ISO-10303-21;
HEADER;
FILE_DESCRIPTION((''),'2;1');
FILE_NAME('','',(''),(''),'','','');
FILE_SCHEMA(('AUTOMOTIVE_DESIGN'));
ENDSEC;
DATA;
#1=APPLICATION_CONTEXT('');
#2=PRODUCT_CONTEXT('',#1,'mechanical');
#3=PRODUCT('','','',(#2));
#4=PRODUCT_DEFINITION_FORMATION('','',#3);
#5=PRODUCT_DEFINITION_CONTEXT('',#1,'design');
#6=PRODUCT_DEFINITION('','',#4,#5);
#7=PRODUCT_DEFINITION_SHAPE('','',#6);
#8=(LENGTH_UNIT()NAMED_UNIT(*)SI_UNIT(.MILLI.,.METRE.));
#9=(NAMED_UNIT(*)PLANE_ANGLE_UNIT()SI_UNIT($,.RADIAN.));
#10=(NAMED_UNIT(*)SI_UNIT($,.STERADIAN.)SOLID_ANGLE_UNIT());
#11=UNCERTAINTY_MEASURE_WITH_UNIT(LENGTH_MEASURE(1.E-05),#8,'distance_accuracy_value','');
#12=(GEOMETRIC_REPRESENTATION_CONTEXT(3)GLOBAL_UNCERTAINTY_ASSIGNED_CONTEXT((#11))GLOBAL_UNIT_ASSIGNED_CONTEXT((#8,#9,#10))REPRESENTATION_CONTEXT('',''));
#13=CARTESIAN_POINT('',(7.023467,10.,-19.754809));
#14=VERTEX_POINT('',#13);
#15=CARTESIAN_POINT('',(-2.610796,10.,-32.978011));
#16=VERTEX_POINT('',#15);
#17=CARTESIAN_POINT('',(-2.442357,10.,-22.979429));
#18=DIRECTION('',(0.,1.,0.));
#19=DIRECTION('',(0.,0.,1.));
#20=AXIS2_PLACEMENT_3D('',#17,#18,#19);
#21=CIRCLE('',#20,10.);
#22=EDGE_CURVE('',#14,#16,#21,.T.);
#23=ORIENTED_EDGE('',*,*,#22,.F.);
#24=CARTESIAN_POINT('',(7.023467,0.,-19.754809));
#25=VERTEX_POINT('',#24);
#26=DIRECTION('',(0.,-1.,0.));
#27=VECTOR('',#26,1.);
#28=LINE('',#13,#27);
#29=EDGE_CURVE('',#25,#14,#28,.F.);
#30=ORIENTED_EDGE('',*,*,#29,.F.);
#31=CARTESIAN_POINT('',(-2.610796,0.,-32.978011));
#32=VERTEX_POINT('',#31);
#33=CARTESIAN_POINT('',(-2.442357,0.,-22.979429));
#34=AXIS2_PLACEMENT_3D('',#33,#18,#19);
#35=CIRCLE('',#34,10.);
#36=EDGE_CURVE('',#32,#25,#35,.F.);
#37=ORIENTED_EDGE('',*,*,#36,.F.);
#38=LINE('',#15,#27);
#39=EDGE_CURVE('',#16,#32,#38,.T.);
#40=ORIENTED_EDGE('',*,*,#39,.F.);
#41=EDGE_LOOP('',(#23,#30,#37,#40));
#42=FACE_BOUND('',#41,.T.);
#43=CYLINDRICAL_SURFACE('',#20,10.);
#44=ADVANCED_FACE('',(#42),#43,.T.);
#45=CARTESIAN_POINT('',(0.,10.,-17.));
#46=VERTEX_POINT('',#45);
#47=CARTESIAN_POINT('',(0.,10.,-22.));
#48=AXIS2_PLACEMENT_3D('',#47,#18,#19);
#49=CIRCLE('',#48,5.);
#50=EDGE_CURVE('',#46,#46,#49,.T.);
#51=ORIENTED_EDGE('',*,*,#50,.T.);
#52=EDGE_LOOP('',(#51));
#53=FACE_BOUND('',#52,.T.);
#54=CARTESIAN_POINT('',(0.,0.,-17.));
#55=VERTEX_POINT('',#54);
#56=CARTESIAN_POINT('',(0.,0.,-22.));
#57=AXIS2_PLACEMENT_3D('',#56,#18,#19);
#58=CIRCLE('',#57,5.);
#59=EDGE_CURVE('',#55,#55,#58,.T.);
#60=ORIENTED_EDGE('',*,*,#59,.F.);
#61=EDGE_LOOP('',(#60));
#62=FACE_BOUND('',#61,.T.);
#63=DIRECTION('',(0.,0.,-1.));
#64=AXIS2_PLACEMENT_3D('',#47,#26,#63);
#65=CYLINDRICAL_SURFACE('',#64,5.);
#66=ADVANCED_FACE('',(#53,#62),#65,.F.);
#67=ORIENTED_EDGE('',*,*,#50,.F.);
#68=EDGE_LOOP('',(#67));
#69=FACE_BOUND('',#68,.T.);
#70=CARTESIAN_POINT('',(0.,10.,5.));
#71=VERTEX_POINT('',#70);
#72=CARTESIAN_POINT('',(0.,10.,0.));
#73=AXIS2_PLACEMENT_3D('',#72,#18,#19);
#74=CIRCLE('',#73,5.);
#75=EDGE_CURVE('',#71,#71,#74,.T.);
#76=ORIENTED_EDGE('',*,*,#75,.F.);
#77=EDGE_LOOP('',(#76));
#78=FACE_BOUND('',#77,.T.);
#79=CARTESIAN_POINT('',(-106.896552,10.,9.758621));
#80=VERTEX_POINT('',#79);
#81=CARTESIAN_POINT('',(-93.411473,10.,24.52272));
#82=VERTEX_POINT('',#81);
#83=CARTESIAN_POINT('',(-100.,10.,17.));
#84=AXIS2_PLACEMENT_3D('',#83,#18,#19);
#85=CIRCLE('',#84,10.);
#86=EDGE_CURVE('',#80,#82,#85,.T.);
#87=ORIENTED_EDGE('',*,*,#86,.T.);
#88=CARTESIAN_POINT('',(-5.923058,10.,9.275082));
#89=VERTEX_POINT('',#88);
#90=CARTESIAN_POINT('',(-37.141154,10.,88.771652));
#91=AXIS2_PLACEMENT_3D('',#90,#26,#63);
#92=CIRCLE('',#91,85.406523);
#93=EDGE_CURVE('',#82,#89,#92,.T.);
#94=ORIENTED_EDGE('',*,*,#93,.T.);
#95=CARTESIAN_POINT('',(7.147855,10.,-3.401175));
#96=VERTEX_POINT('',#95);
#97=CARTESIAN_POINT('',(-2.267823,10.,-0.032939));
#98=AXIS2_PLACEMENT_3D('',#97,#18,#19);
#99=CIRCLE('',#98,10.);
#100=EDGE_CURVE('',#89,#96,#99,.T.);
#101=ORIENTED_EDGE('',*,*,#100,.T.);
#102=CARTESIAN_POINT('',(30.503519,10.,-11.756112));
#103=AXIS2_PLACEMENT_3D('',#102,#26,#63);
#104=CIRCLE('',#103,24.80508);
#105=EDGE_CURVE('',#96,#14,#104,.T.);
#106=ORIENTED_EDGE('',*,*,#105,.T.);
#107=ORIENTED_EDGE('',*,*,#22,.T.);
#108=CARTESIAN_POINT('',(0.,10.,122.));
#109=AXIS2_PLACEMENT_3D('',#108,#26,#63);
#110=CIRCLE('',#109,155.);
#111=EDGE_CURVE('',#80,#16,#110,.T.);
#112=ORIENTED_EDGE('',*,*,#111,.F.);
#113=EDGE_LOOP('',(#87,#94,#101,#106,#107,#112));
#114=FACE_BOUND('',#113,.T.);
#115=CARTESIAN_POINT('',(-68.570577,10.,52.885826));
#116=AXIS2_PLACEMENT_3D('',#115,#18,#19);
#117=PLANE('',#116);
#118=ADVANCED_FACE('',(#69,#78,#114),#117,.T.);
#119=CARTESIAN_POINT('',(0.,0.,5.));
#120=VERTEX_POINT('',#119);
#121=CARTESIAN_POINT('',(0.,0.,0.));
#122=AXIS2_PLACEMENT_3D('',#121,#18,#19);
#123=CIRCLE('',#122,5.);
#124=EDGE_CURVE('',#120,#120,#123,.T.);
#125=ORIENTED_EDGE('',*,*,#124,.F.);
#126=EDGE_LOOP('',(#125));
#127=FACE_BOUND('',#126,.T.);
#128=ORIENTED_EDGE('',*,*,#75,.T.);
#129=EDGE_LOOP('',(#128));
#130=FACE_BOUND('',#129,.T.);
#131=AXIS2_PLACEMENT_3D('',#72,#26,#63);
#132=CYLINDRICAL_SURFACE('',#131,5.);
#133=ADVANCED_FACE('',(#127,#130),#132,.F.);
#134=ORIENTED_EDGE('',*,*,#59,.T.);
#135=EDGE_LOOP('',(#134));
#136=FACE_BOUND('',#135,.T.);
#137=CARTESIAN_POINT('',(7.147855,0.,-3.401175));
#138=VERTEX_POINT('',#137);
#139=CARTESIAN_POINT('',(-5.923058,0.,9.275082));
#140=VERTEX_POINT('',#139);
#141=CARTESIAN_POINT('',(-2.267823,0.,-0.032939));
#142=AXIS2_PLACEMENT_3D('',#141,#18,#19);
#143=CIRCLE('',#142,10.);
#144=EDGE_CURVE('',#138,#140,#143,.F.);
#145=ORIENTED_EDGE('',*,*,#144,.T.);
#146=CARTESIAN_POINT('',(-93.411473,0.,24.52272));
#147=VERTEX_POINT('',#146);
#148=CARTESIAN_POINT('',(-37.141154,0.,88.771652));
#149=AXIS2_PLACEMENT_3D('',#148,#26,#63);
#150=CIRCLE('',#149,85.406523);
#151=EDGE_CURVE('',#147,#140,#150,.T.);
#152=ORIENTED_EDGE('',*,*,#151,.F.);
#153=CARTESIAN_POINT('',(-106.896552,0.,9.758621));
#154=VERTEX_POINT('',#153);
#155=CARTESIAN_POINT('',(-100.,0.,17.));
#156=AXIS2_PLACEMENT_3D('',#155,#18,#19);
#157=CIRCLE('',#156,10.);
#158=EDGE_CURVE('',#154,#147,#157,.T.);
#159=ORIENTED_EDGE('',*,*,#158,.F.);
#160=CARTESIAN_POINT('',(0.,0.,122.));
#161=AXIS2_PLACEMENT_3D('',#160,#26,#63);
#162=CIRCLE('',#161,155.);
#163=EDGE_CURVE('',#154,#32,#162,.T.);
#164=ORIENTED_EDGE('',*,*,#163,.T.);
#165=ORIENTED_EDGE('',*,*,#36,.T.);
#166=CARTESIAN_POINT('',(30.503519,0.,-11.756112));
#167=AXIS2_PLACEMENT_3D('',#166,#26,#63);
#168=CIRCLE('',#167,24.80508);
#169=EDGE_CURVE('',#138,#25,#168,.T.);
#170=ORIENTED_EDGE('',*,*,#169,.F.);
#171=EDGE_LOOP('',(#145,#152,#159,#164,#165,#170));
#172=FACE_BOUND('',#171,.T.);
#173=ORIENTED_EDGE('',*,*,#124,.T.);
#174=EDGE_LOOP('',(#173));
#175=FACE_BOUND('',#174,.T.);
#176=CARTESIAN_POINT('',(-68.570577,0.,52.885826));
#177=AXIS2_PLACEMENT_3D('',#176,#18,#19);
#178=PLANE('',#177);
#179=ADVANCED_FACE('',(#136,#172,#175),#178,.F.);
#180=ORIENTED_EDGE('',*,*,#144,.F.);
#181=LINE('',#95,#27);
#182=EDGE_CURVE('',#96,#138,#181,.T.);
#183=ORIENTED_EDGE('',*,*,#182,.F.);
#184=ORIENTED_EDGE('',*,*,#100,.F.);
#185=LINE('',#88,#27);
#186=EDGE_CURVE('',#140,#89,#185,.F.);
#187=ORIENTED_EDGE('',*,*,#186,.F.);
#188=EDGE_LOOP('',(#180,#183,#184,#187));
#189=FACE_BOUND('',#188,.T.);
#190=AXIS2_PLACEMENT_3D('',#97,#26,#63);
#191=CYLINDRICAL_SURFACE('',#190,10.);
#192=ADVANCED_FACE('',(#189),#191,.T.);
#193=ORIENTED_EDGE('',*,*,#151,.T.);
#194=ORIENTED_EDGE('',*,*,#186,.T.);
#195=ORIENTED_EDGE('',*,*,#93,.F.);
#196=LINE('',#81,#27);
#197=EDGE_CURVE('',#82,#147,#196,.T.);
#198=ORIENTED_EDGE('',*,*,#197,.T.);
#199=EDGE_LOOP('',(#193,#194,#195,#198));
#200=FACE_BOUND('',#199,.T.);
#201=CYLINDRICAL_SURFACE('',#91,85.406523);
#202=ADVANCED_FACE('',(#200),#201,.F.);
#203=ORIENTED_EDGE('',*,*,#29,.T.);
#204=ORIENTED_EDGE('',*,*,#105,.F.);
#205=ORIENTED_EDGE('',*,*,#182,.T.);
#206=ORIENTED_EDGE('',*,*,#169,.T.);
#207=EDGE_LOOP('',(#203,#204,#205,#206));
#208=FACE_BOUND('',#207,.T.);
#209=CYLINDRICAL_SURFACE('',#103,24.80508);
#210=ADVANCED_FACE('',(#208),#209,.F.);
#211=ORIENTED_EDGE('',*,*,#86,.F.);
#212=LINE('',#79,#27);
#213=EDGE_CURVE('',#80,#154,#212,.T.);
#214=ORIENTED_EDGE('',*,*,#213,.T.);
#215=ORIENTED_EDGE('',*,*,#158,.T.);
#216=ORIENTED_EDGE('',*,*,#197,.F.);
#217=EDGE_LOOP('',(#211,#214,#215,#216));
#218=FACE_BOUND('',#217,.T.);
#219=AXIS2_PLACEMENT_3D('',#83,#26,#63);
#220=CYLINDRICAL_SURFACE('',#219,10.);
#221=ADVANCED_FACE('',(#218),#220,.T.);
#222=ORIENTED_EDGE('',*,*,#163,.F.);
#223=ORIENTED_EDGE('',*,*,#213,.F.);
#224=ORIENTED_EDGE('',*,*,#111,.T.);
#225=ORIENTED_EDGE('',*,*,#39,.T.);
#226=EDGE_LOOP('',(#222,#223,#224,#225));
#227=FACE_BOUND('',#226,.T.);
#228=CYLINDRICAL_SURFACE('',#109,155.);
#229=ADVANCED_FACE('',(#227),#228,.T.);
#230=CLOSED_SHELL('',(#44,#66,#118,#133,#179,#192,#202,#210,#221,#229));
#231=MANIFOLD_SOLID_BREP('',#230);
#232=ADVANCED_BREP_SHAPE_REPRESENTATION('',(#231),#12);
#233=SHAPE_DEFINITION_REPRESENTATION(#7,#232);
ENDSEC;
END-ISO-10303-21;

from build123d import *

# Parameters (mm, degrees)
SKETCH1_R           = 5
BOSS_EXTRUDE1_DEPTH = 10
FILLET1_R           = 10


with BuildPart() as part:
    # Sketch1 → Boss-Extrude1 (new body)
    with BuildSketch(Plane(origin=(0, 0, 0), x_dir=(1, 0, 0), z_dir=(0, 1, 0))):
        with BuildLine():
            ThreePointArc((10.228609777, 26.046670488), (6.184117748, 31.09707028), (0, 33))
            ThreePointArc((0, 33), (-57.565554835, 21.913887087), (-106.896551724, -9.75862069))
            ThreePointArc((-106.896551724, -9.75862069), (-107.383655881, -23.74400666), (-93.411472897, -24.522719629))
            ThreePointArc((-93.411472897, -24.522719629), (-50.8758669, -4.476742461), (-4.17684665, -9.983146536))
            ThreePointArc((-4.17684665, -9.983146536), (4.753191306, -9.721956341), (10.443773705, -2.834934477))
            ThreePointArc((10.443773705, -2.834934477), (5.699126861, 11.571322519), (10.228609777, 26.046670488))
        make_face()
        Circle(SKETCH1_R, mode=Mode.SUBTRACT)
        with Locations((0, 22)):
            Circle(SKETCH1_R, mode=Mode.SUBTRACT)
    extrude(amount=BOSS_EXTRUDE1_DEPTH)

    # Fillet1
    fillet1_edges = [part.edges().sort_by_distance(p)[0] for p in [
        (10.443773705, 5, 2.834934477),
        (10.228609777, 5, -26.046670488),
    ]]
    fillet(fillet1_edges, radius=FILLET1_R)


solid = part.part
